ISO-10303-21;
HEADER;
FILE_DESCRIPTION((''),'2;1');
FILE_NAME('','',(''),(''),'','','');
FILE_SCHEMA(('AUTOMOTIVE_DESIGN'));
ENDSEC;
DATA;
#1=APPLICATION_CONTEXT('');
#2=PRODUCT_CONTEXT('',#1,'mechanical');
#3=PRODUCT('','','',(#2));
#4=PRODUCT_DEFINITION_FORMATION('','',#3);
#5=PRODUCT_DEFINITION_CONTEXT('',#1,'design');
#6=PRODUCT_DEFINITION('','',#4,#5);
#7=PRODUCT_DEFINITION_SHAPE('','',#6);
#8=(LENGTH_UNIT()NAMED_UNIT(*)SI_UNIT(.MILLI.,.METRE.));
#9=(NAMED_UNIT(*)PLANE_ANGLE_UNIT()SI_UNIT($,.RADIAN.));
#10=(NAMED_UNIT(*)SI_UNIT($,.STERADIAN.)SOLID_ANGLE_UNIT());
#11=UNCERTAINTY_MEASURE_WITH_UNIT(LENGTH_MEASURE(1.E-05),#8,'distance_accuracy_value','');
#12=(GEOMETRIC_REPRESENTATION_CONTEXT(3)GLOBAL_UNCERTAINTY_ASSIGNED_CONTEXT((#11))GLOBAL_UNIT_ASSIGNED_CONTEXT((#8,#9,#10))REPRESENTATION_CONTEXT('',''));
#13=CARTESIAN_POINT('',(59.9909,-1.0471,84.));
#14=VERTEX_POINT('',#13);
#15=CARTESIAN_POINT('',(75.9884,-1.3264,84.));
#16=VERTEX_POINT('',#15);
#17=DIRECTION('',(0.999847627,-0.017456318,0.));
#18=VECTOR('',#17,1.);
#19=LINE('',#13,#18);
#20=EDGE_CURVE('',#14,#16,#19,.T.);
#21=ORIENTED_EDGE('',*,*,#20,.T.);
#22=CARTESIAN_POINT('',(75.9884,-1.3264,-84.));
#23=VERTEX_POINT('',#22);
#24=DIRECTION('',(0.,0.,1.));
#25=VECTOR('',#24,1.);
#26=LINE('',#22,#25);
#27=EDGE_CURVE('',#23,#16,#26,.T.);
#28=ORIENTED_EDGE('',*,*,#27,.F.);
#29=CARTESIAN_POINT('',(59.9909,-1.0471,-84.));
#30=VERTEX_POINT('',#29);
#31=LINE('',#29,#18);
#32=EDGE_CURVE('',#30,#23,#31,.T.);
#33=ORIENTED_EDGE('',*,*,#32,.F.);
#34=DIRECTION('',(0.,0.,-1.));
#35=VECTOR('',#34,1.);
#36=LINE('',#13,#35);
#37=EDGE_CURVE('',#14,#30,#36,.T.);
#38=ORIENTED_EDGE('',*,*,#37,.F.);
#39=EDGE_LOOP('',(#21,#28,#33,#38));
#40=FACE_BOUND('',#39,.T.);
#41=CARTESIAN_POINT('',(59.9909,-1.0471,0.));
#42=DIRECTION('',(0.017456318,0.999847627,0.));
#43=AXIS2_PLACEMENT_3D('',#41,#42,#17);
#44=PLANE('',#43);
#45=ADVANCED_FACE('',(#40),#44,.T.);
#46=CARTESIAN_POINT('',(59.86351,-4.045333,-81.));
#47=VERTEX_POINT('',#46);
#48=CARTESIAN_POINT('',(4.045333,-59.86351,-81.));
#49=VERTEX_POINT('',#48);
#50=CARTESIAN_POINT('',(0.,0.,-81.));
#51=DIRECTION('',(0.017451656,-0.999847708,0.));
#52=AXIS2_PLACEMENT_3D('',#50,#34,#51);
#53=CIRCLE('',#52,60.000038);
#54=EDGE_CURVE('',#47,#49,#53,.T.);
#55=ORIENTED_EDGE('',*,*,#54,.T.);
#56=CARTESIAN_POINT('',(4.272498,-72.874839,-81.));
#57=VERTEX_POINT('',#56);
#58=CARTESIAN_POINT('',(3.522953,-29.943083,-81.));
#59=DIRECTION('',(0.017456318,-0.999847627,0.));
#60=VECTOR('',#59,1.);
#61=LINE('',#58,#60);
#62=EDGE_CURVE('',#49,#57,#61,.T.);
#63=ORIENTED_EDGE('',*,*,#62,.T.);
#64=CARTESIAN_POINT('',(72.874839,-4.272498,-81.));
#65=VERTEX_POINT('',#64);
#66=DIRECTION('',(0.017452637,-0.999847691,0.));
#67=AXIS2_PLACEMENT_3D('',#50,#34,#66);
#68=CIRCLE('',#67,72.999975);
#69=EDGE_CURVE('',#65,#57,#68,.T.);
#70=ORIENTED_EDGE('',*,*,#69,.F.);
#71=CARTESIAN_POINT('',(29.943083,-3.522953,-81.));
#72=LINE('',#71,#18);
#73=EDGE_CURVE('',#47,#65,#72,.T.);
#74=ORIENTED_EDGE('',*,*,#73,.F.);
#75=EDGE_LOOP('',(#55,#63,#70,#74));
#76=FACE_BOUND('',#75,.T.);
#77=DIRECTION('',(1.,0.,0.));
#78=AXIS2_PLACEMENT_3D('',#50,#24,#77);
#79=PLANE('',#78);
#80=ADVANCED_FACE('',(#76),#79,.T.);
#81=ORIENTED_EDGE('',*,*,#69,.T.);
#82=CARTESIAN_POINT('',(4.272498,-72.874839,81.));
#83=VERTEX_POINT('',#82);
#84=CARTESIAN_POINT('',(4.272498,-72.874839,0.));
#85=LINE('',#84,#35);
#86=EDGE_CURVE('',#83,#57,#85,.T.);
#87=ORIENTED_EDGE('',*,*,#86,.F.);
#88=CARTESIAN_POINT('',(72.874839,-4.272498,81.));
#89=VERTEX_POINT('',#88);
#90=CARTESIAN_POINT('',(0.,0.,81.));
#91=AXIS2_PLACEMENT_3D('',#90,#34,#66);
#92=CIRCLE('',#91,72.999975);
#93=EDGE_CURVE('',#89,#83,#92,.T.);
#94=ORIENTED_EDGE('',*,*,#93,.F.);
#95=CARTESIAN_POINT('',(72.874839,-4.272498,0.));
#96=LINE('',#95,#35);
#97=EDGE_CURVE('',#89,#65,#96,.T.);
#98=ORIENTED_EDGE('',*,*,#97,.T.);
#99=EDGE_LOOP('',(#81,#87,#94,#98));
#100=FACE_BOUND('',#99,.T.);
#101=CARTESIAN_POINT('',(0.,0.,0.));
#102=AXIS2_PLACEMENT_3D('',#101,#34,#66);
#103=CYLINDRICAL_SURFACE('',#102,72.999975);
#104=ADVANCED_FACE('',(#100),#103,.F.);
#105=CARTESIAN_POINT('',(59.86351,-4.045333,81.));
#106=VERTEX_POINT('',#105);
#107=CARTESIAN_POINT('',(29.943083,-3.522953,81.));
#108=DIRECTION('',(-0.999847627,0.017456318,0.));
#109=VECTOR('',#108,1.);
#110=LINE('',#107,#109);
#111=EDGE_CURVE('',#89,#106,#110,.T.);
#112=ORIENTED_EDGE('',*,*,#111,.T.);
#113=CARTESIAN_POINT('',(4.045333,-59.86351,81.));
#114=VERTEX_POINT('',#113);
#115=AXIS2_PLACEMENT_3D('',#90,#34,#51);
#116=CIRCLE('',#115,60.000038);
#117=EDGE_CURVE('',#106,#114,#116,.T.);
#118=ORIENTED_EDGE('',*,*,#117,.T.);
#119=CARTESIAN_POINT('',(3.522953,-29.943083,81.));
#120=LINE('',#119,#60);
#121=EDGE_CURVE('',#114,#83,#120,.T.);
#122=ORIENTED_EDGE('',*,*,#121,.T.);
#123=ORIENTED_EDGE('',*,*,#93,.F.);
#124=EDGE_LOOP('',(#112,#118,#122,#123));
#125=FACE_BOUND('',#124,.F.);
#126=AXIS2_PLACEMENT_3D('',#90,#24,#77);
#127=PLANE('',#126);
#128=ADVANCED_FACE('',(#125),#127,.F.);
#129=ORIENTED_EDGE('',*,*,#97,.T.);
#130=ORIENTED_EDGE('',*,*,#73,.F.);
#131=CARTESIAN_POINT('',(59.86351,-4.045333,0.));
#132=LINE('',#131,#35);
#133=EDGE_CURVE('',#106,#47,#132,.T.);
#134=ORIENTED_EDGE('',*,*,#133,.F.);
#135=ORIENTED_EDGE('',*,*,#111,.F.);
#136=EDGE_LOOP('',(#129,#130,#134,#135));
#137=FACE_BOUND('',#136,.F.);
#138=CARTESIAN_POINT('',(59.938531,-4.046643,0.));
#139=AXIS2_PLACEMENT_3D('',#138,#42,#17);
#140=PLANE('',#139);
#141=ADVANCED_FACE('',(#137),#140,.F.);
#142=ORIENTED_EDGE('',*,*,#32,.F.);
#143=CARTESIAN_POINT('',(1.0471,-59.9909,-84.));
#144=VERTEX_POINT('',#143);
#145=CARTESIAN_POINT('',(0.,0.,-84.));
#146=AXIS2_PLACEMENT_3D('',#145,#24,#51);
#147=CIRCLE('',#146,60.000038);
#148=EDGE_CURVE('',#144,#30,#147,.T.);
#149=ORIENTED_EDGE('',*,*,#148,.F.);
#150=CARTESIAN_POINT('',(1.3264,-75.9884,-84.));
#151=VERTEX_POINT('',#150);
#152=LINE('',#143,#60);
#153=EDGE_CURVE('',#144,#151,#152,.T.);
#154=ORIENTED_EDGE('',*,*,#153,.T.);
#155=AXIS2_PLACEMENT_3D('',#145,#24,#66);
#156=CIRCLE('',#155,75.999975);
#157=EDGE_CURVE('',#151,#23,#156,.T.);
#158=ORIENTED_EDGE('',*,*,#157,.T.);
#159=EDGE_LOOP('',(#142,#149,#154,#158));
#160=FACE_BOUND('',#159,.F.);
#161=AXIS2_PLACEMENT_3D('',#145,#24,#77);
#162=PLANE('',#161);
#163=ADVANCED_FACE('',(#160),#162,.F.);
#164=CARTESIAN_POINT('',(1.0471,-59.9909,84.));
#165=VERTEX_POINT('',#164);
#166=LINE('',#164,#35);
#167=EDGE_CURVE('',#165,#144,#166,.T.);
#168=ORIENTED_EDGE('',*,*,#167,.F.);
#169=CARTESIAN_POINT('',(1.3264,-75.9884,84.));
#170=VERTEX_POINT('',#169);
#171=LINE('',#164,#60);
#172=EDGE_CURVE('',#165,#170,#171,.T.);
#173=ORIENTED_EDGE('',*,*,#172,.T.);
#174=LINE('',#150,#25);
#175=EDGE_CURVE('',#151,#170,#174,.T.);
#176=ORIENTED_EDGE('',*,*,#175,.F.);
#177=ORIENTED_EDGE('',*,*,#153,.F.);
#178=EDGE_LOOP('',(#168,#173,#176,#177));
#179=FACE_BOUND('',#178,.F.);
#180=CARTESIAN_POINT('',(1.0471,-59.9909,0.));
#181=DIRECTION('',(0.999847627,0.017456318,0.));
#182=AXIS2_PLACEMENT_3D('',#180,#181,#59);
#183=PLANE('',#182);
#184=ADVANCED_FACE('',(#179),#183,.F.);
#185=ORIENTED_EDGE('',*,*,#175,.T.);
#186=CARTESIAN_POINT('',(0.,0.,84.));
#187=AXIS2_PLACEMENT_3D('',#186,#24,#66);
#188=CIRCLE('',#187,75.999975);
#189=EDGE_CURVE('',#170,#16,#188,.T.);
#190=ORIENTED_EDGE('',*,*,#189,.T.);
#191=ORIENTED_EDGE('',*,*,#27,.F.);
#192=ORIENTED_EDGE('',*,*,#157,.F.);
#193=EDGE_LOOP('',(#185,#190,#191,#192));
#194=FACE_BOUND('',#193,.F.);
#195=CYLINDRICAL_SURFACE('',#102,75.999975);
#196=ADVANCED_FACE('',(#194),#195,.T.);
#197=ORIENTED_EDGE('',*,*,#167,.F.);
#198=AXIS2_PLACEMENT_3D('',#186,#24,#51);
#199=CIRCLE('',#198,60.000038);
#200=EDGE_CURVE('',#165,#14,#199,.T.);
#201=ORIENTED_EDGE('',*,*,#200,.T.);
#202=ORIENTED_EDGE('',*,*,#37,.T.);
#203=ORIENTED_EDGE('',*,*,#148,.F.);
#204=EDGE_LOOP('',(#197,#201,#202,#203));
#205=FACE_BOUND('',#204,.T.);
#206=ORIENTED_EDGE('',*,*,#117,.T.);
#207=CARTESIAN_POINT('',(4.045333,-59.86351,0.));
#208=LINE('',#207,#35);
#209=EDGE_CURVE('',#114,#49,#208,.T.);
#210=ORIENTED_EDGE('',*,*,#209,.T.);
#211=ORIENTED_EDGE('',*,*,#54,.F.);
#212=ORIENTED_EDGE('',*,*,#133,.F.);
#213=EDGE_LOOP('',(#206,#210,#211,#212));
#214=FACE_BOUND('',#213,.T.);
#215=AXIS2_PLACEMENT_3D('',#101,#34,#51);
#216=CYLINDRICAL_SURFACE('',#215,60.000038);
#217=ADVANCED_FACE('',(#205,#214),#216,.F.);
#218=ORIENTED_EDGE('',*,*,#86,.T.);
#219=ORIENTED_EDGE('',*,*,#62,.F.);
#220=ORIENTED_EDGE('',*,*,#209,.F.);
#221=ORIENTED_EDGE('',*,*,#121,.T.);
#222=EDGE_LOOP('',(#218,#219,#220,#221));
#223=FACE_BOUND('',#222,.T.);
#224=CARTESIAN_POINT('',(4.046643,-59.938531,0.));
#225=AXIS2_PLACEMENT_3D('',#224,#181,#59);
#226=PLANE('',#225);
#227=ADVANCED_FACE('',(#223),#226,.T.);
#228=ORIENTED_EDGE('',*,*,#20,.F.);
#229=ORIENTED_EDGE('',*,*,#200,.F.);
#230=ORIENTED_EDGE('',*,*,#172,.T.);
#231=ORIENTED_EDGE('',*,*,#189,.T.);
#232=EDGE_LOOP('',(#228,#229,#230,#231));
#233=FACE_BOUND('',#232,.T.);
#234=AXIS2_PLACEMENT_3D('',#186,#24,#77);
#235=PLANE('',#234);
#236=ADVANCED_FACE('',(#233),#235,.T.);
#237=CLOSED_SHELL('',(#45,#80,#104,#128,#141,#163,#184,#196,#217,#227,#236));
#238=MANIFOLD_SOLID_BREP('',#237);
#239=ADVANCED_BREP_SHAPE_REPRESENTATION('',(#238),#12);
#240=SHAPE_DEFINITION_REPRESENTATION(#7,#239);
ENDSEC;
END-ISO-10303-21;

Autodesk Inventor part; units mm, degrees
ref_plane "Work Plane1" through (0, 0, 87) normal (0, 0, 1) x (1, 0, 0)
ref_plane "YZ Plane" through (0, 0, 0) normal (1, 0, 0) x (0, 1, 0)
ref_plane "XZ Plane" through (0, 0, 0) normal (0, 1, 0) x (-1, 0, 0)
sketch "Sketch4" plane through (0, 0, 0) normal (0, 0, 1) x (1, 0, 0)
  arc A0 (1.3264, -75.9884) -> (75.9884, -1.3264) centre (0, 0) ccw
  arc A1 (1.0471, -59.9909) -> (59.9909, -1.0471) centre (0, 0) ccw
  line L0 (0, -92.1462) -> (0, 0) construction
  line L1 (0, 0) -> (129.1278, 0) construction
  line L2 (0, 0) -> (106.82, -1.8646) construction
  line L3 (0, 0) -> (1.3871, -79.4693) construction
  line L4 (1.0471, -59.9909) -> (1.3264, -75.9884)
  line L5 (59.9909, -1.0471) -> (75.9884, -1.3264)
  dimension "d33" = 152
  dimension "d34" = 120
  dimension "d35" = 1
  dimension "d36" = 1
extrude "Extrusion3" add sketch "Sketch4" along normal mid plane 168
shell "Shell2" thickness 3 removed faces 1 at (4.4562, -59.8343, 28)
sketch "Sketch1" plane through (0, 0, 0) normal (0, 0, 1) x (1, 0, 0)
  circle A0 centre (0, 0) radius 77.5
  circle A1 centre (0, 0) radius 76.5
  dimension "d0" = 155
  dimension "d1" = 153
sketch "Sketch2" plane through (0, 0, 87) normal (0, 0, 1) x (1, 0, 0)
  line L0 (0, 0) -> (0, -91.1898) construction
  line L1 (0, 0) -> (8.9718, -102.5486) construction
  arc A0 (7.9909, -74.1258) -> (5.0023, -74.3873) centre (6.2752, -71.726) ccw
  line L2 (5.0023, -74.3873) -> (5.1718, -76.325)
  line L3 (7.9909, -74.1258) -> (8.1604, -76.0635)
  circle A1 centre (0, 0) radius 76.5 projected
  arc A2 (5.1718, -76.325) -> (8.1604, -76.0635) centre (0, 0) ccw
  line L4 (7.9909, -74.1258) -> (0, 0) construction
  line L5 (0, 0) -> (5.0023, -74.3873) construction
  line L6 (0, 0) -> (93.5228, -13.1438) construction
  line L7 (0, 0) -> (97.964, 0) construction
  circle A3 centre (0, 0) radius 76.5
  line L8 (68, 0) -> (76.5, 0)
  line L9 (67.3382, -9.4638) -> (75.7555, -10.6467)
  arc A4 (67.3382, -9.4638) -> (68, 0) centre (0, 0) ccw
  point P0 (75.7555, -10.6467)
  dimension "d5" = 5
  dimension "d6" = 5.9
  dimension "d7" = 72
  dimension "d8" = 3
  dimension "d12" = 8
  dimension "d32" = 68
sketch "Sketch3" plane through (75.7555, -10.6467, 84) normal (-0.1392, -0.9903, 0) x (0.9903, -0.1392, 0)
  line L0 (-8.1618, 1) -> (0, 1)
  line L1 (0, 1) -> (0, 5)
  line L2 (0, 5) -> (-8.1618, 5)
  line L3 (-8.1618, 5) -> (-8.1618, 1)
  line L4 (0, 6) -> (0, -174) construction
  line L5 (0, -1.3495) -> (0, 7.9011) construction
  line L6 (-9.1618, 0) -> (-0.7445, 0) construction
  line L7 (-0.7445, 6) -> (-9.1618, 6) construction
  line L8 (-9.1618, 6) -> (-9.1618, 0) construction
  line L9 (-76.5, -210.3802) -> (-76.5, 44.2814) projected
  point P0 (-76.5, -84)
  dimension "d23" = 1
  dimension "d24" = 1
  dimension "d25" = 1
properties part number "shim_former"
